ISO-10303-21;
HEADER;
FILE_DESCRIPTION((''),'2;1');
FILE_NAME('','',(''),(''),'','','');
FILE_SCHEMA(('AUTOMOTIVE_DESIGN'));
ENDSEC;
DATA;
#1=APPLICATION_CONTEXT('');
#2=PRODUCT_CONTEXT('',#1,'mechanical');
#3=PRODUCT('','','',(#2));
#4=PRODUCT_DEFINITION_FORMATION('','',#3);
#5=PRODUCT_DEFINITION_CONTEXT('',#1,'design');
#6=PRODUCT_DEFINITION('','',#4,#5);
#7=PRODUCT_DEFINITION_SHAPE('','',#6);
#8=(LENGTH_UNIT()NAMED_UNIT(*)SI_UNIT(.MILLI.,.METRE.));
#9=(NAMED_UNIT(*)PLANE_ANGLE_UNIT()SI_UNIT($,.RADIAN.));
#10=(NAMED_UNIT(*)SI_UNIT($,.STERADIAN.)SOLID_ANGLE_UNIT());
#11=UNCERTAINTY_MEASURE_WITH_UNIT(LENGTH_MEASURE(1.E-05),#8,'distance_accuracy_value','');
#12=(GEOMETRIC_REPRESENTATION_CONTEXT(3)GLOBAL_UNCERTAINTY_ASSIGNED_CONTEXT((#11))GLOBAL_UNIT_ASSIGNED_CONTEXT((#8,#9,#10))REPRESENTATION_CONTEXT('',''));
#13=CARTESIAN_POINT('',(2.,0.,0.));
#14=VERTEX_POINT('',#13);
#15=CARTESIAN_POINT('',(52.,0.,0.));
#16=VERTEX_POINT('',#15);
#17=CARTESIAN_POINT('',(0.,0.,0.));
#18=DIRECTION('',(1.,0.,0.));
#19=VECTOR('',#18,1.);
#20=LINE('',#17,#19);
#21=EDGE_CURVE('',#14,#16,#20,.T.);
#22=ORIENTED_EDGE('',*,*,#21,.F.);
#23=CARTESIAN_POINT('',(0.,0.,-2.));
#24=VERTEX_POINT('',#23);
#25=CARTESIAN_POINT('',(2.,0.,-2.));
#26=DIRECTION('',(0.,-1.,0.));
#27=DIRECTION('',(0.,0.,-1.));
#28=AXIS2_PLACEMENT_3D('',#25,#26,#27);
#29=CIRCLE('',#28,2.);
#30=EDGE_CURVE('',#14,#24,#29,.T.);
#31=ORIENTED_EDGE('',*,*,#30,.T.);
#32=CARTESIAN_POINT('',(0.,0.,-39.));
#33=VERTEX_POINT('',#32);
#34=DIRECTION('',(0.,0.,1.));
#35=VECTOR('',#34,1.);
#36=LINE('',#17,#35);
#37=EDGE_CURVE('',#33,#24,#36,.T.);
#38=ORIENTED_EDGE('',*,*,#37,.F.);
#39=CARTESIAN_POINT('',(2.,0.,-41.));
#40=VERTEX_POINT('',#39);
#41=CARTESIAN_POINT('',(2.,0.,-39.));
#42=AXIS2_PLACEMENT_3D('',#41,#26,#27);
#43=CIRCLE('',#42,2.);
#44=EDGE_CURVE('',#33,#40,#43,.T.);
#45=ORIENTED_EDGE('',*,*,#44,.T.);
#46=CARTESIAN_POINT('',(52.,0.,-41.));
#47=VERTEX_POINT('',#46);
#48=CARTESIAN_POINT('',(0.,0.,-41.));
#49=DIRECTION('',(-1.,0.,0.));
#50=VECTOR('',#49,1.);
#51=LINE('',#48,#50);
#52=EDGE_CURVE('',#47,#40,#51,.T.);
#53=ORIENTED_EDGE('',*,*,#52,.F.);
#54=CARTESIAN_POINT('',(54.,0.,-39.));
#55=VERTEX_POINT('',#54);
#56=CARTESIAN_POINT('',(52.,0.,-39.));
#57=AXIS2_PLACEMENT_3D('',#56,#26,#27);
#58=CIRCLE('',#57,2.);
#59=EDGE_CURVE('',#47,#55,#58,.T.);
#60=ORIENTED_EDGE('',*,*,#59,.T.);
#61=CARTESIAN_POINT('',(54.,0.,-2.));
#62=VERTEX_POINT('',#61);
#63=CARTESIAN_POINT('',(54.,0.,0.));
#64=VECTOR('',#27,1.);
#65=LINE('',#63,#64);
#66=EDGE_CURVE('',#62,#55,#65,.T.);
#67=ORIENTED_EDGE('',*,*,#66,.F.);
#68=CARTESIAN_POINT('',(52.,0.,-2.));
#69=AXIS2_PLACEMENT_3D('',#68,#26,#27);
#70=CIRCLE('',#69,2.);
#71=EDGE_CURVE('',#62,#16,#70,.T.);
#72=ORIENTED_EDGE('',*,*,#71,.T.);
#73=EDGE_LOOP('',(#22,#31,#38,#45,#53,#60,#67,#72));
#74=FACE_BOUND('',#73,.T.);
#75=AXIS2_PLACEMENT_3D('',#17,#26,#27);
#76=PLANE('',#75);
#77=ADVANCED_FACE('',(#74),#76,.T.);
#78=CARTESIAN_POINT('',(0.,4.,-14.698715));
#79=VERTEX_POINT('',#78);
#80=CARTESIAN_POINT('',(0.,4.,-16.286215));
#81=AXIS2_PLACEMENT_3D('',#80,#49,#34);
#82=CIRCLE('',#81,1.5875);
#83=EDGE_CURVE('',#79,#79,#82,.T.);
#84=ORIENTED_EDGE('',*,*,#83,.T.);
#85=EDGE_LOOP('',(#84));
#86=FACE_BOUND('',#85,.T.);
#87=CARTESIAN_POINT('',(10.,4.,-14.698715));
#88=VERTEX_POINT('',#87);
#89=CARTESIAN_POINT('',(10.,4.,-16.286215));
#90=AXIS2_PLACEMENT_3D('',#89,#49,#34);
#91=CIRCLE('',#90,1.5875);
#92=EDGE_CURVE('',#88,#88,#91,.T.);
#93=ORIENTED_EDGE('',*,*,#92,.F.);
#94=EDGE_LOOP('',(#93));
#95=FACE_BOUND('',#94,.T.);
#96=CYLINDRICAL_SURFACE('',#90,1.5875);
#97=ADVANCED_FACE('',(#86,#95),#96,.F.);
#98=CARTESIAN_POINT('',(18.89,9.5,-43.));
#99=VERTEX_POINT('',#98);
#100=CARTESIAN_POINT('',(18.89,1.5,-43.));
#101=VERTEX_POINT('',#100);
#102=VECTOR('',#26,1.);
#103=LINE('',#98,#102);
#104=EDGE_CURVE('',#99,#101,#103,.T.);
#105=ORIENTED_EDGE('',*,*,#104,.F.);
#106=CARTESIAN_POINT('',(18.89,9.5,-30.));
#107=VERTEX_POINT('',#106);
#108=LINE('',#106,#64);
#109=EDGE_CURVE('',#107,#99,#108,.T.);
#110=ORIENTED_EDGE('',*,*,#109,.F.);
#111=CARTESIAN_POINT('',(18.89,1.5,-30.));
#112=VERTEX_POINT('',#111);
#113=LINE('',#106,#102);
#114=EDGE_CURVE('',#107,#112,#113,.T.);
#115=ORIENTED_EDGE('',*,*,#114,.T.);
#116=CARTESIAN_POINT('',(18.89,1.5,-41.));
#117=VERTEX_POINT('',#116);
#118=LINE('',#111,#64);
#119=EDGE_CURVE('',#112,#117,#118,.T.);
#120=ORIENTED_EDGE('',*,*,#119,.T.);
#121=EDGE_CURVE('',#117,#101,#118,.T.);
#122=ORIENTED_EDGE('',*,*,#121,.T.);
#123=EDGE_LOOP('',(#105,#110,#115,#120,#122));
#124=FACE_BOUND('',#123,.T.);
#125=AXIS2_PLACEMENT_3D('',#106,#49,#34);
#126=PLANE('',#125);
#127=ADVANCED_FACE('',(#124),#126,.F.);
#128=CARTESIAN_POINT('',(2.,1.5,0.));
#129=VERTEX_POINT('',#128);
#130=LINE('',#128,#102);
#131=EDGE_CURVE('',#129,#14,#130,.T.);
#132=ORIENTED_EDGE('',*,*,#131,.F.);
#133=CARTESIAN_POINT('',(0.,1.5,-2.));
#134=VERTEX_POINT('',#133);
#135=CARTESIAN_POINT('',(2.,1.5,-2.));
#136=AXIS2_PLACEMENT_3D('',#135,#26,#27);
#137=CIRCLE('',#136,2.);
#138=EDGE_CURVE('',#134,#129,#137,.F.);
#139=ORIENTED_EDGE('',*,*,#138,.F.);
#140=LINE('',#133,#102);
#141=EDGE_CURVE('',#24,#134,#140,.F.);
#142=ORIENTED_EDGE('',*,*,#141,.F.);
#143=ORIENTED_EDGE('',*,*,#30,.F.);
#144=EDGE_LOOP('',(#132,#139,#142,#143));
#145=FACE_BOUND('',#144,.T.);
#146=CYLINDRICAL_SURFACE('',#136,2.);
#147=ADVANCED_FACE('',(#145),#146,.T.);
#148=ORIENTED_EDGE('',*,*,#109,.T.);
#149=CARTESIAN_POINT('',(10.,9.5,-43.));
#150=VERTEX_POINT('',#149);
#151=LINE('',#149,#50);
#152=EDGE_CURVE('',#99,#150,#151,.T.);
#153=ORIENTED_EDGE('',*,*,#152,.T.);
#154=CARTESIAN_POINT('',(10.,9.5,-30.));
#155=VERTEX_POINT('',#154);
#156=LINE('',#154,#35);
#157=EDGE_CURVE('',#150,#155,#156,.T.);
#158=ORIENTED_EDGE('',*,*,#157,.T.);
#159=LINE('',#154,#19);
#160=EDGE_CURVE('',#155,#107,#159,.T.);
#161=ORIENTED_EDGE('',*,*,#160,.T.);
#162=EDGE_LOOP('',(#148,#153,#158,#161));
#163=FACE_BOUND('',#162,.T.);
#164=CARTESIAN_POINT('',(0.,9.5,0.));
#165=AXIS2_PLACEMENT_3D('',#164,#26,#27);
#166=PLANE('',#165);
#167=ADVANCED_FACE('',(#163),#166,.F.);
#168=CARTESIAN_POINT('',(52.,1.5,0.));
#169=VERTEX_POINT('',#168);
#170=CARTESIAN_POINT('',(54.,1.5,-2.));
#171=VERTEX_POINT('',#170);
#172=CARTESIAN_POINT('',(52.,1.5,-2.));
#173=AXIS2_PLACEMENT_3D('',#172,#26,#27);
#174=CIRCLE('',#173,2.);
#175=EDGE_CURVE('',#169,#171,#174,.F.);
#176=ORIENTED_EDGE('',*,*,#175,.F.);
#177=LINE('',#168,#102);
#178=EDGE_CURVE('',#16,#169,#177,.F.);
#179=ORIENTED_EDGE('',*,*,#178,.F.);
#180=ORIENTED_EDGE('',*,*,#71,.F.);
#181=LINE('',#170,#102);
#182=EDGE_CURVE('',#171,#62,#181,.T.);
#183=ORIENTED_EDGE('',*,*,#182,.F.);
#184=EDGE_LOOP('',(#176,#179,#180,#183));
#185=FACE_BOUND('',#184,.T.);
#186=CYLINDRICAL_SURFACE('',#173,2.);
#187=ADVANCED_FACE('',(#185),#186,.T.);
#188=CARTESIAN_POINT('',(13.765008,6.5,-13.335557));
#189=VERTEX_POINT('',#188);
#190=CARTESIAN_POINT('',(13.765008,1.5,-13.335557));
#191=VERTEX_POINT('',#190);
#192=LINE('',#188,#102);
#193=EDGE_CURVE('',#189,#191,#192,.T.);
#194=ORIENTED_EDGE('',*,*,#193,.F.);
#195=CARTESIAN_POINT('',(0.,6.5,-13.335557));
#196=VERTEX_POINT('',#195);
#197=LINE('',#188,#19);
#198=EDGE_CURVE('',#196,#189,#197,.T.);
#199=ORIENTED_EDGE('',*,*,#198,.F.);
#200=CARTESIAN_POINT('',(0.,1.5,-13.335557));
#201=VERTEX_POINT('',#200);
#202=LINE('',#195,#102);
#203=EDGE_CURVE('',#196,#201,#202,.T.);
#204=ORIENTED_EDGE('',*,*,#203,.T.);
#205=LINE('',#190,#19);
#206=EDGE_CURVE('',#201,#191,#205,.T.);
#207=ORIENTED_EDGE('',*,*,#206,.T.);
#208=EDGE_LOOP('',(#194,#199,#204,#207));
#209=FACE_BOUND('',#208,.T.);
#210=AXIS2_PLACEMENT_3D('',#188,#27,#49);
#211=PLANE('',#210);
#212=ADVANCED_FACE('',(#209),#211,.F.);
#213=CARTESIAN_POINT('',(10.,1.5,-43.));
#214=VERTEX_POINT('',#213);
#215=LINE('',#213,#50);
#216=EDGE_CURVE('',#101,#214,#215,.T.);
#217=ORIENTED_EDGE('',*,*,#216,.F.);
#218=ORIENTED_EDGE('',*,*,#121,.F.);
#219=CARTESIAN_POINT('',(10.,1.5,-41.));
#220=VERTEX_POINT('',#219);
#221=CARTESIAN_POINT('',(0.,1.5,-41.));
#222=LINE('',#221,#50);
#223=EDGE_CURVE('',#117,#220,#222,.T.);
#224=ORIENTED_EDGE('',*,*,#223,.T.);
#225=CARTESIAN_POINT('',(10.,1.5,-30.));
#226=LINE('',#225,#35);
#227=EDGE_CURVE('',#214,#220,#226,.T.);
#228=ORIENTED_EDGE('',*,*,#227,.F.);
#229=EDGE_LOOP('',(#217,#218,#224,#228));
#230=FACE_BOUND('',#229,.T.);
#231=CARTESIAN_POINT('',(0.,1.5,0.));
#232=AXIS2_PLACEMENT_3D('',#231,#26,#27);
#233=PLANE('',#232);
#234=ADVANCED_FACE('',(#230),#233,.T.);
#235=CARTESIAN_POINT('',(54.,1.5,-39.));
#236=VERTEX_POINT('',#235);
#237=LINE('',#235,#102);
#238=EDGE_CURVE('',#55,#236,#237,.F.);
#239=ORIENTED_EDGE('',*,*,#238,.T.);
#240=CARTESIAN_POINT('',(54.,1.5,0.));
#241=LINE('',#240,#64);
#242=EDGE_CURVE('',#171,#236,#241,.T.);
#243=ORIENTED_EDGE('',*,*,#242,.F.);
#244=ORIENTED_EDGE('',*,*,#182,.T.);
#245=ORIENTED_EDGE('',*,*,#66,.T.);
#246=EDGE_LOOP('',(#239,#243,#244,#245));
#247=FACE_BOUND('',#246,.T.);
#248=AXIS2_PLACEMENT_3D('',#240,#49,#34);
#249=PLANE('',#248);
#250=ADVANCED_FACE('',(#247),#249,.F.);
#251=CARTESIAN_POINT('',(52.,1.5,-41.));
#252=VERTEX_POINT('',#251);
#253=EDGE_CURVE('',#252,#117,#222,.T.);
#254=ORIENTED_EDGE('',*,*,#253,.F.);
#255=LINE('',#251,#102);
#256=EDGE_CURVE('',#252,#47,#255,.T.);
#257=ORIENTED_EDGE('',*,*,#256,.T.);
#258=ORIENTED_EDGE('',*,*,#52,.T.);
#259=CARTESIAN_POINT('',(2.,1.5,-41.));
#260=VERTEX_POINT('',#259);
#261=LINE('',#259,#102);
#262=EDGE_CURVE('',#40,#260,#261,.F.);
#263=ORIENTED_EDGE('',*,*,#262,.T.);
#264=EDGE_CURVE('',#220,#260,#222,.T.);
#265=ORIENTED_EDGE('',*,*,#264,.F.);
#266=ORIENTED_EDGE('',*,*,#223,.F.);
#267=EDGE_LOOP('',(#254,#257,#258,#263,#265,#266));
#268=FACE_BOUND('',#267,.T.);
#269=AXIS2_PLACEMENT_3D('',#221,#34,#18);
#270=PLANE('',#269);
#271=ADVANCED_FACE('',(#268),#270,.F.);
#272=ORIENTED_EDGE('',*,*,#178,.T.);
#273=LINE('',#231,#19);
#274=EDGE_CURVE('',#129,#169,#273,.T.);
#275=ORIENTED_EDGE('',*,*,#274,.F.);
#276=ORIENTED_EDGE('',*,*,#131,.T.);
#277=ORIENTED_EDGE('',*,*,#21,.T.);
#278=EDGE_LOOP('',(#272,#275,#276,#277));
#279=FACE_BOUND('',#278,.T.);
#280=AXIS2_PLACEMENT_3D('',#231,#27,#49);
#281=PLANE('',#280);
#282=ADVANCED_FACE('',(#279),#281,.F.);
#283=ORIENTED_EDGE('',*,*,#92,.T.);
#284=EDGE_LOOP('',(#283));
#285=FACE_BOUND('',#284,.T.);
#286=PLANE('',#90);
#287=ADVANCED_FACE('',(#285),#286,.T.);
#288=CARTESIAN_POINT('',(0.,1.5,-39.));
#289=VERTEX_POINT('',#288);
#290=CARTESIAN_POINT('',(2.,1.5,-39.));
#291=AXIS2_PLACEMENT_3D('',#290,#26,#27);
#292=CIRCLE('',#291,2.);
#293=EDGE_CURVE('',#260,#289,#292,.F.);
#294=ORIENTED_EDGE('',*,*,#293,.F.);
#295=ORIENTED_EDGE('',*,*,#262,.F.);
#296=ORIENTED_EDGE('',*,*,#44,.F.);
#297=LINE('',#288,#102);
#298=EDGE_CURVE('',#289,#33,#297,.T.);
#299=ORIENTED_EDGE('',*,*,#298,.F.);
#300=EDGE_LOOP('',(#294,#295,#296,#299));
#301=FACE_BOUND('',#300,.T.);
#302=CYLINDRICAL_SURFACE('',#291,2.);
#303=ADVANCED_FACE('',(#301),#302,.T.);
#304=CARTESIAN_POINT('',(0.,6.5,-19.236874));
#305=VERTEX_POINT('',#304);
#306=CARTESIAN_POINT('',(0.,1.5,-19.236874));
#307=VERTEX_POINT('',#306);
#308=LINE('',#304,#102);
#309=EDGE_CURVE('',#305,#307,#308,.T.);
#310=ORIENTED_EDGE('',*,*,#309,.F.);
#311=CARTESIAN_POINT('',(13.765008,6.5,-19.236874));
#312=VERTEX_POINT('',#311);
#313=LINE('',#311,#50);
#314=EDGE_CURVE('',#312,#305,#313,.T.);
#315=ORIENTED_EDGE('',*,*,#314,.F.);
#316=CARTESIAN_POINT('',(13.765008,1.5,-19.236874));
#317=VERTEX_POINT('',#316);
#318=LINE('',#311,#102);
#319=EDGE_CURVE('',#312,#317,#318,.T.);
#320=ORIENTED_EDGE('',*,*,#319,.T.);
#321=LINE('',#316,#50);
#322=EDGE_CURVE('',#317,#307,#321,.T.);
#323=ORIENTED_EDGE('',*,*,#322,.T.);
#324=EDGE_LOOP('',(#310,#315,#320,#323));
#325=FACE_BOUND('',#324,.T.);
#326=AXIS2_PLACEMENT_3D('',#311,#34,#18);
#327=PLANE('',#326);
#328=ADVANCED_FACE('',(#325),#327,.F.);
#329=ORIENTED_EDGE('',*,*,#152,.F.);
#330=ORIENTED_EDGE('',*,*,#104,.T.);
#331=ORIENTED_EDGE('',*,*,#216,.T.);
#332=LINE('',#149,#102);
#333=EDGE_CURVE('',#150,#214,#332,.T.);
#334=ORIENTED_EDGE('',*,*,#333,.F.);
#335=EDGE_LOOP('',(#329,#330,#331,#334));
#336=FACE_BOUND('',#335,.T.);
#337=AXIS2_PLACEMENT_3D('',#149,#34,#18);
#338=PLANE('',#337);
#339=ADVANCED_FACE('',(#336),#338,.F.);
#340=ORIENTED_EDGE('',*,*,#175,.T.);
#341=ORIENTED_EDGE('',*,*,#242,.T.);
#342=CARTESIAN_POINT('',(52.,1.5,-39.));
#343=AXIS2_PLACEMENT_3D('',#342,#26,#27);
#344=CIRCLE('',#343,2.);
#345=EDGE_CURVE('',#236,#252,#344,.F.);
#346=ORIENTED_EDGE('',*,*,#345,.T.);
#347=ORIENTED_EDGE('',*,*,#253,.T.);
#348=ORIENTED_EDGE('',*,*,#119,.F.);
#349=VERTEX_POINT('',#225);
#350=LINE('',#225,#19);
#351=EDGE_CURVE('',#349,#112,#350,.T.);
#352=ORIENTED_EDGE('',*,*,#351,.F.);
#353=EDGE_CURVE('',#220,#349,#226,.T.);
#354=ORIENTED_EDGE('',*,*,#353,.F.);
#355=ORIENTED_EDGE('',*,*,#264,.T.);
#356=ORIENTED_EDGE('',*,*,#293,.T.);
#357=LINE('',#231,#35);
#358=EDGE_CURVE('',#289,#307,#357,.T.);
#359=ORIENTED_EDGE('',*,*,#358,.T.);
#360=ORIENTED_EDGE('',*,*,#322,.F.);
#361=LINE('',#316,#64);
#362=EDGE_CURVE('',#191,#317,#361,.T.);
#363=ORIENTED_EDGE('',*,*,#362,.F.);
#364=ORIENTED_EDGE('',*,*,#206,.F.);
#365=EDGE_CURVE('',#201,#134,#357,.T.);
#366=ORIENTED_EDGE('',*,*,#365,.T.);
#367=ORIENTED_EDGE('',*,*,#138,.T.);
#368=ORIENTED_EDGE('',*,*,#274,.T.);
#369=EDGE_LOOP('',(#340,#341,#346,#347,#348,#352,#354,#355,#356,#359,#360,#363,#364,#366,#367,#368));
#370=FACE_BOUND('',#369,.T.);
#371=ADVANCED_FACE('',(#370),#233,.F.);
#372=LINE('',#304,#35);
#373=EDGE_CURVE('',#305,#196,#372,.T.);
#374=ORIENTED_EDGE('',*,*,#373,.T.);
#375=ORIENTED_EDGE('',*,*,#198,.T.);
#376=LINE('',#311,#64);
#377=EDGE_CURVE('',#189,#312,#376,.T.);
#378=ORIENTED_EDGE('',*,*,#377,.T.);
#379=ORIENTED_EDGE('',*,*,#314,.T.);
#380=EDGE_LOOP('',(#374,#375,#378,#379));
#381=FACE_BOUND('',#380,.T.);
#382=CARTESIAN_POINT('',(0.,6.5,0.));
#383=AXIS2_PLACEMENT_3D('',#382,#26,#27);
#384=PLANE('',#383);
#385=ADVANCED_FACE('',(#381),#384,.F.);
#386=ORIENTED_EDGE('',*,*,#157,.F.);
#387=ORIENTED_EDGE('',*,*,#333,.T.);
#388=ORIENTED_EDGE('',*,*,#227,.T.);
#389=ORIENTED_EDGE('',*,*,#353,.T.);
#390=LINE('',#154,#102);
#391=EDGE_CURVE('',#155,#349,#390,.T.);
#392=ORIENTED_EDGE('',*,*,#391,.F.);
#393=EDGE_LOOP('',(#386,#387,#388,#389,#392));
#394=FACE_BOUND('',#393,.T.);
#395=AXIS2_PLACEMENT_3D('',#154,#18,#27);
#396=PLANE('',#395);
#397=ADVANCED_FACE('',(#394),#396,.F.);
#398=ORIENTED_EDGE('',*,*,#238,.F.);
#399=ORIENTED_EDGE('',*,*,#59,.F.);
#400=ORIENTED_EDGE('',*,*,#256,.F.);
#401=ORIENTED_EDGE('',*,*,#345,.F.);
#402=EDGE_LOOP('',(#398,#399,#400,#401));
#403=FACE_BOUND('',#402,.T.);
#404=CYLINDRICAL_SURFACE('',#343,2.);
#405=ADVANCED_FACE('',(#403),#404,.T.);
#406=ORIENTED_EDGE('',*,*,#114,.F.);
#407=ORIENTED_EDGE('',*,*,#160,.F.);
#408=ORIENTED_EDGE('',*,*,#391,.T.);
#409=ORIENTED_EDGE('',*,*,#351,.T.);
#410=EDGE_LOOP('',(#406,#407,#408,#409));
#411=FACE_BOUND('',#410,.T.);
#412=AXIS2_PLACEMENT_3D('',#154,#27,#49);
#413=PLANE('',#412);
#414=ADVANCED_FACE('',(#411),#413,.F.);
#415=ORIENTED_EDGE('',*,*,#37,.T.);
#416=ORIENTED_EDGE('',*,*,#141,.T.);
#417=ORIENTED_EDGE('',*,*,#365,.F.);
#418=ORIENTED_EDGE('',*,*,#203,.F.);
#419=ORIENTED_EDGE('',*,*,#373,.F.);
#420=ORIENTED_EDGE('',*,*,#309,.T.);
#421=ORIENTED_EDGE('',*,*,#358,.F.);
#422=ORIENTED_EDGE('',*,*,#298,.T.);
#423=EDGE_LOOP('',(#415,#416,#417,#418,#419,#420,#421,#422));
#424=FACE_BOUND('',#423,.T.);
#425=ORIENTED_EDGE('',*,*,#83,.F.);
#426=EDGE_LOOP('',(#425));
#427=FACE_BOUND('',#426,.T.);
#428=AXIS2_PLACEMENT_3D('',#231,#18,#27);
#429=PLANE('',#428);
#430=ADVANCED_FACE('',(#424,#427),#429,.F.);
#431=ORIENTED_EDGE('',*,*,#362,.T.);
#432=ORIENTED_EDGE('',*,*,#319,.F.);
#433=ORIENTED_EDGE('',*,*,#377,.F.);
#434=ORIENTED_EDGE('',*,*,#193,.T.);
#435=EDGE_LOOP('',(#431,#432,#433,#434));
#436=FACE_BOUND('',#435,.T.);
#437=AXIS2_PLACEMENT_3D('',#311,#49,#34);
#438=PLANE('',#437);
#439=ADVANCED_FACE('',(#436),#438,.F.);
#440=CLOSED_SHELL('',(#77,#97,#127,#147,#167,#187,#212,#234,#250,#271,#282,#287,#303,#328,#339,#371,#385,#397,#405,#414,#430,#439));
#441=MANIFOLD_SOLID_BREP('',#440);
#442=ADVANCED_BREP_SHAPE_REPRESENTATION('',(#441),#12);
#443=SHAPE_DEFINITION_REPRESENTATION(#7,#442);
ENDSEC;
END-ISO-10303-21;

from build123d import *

# Parameters (mm, degrees)
SKETCH1_W           = 54
SKETCH1_H           = 41
BOSS_EXTRUDE1_DEPTH = 1.5
SKETCH2_W           = 8.89
SKETCH2_H           = 13
BOSS_EXTRUDE2_DEPTH = 8
FILLET1_R           = 2
SKETCH3_W           = 13.765008066
SKETCH3_H           = 5.90131675
BOSS_EXTRUDE3_DEPTH = 5
SKETCH4_R           = 1.5875
CUT_EXTRUDE1_DEPTH  = 10


with BuildPart() as part:
    # Sketch1 → Boss-Extrude1 (new body)
    with BuildSketch(Plane(origin=(0, 0, 0), x_dir=(1, 0, 0), z_dir=(0, 1, 0))):
        with Locations((27, 20.5)):
            Rectangle(SKETCH1_W, SKETCH1_H)
    extrude(amount=BOSS_EXTRUDE1_DEPTH)

    # Sketch2 → Boss-Extrude2 (add)
    with BuildSketch(Plane(origin=(0, 1.5, 0), x_dir=(1, 0, 0), z_dir=(0, 1, 0))):
        with Locations((14.445, 36.5)):
            Rectangle(SKETCH2_W, SKETCH2_H)
    extrude(amount=BOSS_EXTRUDE2_DEPTH)

    # Fillet1
    fillet1_edges = [part.edges().sort_by_distance(p)[0] for p in [
        (0, 0.75, -41),
        (54, 0.75, -41),
        (54, 0.75, 0),
        (0, 0.75, 0),
    ]]
    fillet(fillet1_edges, radius=FILLET1_R)

    # Sketch3 → Boss-Extrude3 (add)
    with BuildSketch(Plane(origin=(0, 1.5, 0), x_dir=(1, 0, 0), z_dir=(0, 1, 0))):
        with Locations((6.882504033, 16.286215299)):
            Rectangle(SKETCH3_W, SKETCH3_H)
    extrude(amount=BOSS_EXTRUDE3_DEPTH)

    # Sketch4 → Cut-Extrude1 (cut)
    with BuildSketch(Plane.ZY):
        with Locations((-16.286215299, 4)):
            Circle(SKETCH4_R)
    extrude(amount=-CUT_EXTRUDE1_DEPTH, mode=Mode.SUBTRACT)


solid = part.part
